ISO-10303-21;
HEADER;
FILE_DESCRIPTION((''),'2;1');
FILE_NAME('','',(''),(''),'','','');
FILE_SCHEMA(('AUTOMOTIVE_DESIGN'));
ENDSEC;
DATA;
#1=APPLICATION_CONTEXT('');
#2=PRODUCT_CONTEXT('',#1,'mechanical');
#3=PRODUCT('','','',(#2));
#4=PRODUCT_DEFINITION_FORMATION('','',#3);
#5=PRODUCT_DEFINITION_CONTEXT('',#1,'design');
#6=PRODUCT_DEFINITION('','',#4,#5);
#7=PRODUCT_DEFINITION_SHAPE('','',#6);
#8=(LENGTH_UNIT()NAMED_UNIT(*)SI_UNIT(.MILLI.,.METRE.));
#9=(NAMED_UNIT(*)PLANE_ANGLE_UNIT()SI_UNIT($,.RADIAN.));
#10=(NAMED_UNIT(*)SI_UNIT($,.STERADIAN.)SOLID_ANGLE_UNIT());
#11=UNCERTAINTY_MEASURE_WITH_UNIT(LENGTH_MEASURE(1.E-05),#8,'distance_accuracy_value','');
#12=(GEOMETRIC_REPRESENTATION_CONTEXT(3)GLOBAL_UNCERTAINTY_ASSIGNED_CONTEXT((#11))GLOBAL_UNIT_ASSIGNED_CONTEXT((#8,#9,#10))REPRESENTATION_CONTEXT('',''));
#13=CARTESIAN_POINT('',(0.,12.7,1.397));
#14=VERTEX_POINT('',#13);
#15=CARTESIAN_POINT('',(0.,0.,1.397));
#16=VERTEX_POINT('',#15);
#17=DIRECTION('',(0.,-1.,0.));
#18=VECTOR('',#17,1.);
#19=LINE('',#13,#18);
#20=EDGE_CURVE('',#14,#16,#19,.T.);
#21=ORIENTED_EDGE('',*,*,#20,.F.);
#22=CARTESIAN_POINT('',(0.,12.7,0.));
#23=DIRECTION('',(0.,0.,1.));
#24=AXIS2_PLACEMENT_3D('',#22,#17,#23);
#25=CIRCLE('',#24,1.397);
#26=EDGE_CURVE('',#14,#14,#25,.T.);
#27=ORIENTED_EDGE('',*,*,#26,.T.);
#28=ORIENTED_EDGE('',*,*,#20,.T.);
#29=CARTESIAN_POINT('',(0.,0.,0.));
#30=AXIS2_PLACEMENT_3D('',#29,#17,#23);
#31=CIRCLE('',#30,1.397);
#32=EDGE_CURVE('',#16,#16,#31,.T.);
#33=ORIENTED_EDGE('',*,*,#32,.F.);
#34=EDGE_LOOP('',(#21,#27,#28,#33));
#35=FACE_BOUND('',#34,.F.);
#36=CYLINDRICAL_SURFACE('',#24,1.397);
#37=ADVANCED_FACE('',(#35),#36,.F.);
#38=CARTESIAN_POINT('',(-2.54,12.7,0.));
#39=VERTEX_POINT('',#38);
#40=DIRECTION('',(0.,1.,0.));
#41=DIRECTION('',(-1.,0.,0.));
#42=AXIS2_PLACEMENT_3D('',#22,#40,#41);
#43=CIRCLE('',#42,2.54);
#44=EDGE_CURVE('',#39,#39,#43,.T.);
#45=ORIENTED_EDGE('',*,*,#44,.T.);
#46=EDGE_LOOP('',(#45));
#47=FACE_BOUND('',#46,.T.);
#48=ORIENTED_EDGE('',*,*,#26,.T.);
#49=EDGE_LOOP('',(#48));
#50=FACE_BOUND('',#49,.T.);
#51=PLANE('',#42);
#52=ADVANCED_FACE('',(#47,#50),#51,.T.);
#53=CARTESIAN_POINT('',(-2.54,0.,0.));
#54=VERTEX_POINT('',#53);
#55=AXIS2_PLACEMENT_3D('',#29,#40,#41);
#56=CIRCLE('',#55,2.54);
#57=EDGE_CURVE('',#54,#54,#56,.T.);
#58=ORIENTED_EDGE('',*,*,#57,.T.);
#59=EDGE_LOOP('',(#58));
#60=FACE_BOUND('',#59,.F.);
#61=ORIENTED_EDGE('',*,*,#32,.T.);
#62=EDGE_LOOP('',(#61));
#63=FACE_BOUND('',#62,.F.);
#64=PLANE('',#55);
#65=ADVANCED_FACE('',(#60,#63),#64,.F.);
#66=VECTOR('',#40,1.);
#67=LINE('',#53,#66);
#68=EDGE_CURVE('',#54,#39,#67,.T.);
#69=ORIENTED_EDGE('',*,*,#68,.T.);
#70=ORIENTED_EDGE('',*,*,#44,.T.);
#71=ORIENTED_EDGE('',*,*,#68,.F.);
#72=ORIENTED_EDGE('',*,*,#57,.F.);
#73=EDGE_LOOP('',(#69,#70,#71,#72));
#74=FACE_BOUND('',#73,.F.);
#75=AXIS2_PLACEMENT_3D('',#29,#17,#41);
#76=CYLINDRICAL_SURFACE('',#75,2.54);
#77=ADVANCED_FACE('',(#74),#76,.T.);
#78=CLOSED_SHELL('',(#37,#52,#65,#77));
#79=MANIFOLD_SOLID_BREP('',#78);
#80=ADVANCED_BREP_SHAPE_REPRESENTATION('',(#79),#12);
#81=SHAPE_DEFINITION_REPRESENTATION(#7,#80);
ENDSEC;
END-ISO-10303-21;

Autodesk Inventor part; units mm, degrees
ref_plane "YZ Plane" through (0, 0, 0) normal (1, 0, 0) x (0, 1, 0)
ref_plane "XZ Plane" through (0, 0, 0) normal (0, 1, 0) x (-1, 0, 0)
ref_plane "XY Plane" through (0, 0, 0) normal (0, 0, 1) x (1, 0, 0)
sketch "Sketch1" plane through (0, 0, 0) normal (0, 1, 0) x (-1, 0, 0)
  circle A0 centre (0, 0) radius 2.54
  dimension "d0" = 5.08
extrude "Extrusion1" add sketch "Sketch1" along normal blind 12.7
sketch "Sketch2" plane through (0, 12.7, 0) normal (0, 1, 0) x (1, 0, 0)
  circle A0 centre (0, 0) radius 1.397
  dimension "d3" = 2.794
hole "Hole1" at (0, 12.7, 0) direction (0, -1, 0) diameter 2.794 end through all
properties part number "CrankPin v1"
